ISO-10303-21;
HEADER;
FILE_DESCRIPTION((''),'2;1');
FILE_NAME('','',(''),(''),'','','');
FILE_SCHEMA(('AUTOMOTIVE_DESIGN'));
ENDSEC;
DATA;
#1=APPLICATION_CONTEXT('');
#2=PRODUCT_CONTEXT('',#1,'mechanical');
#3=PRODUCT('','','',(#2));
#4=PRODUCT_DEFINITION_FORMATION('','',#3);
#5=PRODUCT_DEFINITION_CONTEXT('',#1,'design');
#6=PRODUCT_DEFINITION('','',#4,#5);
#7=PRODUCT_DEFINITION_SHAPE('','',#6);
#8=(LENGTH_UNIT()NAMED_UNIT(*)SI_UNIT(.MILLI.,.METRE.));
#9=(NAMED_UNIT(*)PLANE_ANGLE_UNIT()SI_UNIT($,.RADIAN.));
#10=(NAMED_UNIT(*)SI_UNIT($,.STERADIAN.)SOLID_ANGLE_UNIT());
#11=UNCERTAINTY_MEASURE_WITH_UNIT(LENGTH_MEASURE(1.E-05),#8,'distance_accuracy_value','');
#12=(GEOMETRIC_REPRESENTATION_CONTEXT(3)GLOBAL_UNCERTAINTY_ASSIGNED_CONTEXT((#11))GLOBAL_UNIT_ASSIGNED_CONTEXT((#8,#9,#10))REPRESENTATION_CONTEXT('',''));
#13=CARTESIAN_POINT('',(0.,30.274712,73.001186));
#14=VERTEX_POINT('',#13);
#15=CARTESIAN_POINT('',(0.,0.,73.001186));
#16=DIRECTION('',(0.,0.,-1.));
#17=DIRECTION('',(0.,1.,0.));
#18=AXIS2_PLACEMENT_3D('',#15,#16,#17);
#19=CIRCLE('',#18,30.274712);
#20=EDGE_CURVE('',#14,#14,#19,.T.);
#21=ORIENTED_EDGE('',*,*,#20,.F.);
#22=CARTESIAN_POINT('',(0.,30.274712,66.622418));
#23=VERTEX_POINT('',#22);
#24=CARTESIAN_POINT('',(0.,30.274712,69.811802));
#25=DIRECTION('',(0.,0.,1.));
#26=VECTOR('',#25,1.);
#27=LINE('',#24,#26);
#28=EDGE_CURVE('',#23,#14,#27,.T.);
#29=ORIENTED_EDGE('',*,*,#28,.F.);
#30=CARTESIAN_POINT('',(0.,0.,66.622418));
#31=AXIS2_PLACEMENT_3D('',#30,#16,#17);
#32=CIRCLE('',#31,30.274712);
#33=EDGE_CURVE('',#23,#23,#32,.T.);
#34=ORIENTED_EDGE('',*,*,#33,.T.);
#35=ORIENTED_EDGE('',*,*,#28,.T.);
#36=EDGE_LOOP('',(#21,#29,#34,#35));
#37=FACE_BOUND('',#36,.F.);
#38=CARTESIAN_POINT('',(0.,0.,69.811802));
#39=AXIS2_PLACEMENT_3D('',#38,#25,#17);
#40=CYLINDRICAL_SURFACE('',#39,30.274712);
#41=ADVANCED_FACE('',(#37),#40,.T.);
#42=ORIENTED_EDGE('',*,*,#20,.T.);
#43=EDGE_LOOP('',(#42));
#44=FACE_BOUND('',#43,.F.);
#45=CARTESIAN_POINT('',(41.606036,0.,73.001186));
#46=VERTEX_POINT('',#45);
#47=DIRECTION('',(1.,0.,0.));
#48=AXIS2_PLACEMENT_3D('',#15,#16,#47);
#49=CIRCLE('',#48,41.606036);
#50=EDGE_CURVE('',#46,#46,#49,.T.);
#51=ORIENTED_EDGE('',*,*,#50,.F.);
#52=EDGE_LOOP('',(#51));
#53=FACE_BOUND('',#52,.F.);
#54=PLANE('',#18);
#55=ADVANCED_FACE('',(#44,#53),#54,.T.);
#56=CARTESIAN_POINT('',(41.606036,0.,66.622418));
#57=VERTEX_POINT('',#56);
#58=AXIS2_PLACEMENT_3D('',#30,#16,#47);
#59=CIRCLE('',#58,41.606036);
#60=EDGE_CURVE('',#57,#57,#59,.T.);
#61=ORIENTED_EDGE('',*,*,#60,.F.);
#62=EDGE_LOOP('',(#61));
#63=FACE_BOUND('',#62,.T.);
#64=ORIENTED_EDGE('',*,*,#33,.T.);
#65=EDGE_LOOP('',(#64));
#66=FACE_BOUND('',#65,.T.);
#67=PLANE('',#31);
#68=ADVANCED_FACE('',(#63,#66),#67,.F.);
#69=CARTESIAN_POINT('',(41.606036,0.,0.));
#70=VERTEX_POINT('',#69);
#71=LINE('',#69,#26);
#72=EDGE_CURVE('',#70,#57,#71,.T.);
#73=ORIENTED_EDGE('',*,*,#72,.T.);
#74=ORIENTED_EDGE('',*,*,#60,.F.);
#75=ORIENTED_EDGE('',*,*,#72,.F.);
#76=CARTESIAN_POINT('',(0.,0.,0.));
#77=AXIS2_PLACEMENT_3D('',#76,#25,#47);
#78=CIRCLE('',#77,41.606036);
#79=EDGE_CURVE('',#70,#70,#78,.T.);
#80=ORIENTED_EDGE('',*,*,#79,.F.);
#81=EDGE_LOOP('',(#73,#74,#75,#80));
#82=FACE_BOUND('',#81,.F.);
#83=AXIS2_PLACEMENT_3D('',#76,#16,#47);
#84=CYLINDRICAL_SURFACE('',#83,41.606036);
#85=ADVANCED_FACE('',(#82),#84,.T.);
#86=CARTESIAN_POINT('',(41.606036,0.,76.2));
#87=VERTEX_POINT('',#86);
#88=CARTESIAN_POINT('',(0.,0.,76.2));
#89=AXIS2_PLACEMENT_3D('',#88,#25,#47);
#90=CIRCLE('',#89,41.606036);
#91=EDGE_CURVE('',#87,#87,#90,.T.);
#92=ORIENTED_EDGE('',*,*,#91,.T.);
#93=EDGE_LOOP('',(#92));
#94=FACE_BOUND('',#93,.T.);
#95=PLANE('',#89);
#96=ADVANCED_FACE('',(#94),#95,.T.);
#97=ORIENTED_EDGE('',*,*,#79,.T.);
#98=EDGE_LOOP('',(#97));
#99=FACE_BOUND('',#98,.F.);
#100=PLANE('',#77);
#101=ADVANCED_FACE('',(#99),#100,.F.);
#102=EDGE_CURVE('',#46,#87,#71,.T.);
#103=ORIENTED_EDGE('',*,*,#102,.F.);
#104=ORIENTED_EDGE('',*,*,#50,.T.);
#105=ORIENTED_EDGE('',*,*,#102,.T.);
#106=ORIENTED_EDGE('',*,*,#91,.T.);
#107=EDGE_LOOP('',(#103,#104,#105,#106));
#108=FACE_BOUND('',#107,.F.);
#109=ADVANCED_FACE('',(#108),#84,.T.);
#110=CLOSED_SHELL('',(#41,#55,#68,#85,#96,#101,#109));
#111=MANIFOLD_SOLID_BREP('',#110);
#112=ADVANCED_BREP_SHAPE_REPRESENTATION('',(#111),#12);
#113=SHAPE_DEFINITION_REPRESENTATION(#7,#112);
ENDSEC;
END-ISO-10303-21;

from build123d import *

# Parameters (mm, degrees)
F0_R     = 41.606036
F1_DEPTH = 76.2
F2_W     = 22.467411
F2_H     = 6.378767


with BuildPart() as f1:
    # F0 (on Top) → F1 (new body)
    with BuildSketch(Plane.XY):
        Circle(F0_R)
    extrude(amount=F1_DEPTH)

    # F2 (on Right) → F3 (revolve, cut)
    with BuildSketch(Plane.YZ):
        with Locations((41.508418, 69.811802)):
            Rectangle(F2_W, F2_H)
    revolve(axis=Axis((0, 0, 37.899476), (0, 0, -1)), mode=Mode.SUBTRACT)


solid = f1.part
